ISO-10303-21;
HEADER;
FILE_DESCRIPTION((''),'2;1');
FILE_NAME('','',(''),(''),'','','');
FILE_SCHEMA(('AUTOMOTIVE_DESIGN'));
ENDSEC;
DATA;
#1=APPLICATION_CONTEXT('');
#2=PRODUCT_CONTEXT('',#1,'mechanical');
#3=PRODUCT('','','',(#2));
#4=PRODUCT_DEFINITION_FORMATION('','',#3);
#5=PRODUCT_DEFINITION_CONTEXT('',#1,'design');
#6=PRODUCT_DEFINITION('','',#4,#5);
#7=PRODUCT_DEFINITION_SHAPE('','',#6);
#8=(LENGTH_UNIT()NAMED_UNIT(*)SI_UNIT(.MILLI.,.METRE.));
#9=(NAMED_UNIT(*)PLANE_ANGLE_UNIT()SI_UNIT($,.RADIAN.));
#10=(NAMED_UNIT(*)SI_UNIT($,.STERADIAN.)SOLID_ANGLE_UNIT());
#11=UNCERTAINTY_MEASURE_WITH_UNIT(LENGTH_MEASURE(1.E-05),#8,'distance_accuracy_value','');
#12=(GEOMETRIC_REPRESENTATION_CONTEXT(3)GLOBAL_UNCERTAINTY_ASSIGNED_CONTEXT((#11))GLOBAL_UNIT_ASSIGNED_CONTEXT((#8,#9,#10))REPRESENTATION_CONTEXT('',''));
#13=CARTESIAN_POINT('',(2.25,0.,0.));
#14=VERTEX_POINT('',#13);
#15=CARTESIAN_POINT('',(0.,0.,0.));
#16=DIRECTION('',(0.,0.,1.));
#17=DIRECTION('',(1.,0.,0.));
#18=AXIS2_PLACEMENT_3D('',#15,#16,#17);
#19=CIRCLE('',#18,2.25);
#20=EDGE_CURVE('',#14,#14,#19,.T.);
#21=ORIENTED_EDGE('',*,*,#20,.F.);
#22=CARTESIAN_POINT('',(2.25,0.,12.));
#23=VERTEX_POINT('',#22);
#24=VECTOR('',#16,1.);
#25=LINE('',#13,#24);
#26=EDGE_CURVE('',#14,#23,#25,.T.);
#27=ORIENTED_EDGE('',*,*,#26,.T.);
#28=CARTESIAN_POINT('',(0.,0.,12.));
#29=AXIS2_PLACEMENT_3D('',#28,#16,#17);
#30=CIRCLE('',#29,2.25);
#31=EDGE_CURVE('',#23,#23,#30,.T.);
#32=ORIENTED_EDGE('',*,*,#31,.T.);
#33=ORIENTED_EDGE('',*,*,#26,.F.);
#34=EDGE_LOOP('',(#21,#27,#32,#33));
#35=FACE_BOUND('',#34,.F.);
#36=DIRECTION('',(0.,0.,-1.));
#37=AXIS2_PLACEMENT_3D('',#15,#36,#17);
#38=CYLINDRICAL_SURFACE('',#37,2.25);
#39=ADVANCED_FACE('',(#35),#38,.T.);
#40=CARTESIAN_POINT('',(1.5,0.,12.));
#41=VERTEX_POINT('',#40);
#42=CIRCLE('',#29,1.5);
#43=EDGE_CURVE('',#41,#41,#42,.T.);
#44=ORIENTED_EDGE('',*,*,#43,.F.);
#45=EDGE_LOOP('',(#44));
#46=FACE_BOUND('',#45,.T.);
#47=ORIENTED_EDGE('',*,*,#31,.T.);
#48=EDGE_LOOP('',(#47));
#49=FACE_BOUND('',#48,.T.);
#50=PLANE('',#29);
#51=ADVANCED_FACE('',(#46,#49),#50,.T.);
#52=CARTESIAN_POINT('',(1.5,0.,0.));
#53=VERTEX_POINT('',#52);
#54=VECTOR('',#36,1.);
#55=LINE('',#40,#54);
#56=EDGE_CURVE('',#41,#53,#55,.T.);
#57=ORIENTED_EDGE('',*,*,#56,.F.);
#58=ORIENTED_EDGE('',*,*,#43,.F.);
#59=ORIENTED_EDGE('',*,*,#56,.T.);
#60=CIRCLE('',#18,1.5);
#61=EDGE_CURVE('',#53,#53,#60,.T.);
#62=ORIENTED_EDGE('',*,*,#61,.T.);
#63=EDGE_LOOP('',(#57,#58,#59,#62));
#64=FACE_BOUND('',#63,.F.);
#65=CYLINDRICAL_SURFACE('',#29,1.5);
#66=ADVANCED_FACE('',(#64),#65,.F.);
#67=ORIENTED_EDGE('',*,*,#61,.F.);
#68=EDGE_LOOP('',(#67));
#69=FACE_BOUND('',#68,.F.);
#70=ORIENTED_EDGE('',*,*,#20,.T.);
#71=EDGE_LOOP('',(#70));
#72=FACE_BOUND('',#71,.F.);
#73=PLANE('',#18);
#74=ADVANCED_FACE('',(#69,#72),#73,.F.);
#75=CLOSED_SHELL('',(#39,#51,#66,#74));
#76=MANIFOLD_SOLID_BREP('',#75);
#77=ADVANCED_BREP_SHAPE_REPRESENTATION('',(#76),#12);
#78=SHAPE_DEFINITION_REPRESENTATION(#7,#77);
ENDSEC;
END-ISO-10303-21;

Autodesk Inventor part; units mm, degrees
ref_plane "YZ Plane" through (0, 0, 0) normal (1, 0, 0) x (0, 1, 0)
ref_plane "XZ Plane" through (0, 0, 0) normal (0, 1, 0) x (-1, 0, 0)
ref_plane "XY Plane" through (0, 0, 0) normal (0, 0, 1) x (1, 0, 0)
sketch "Esquisse1" plane through (0, 0, 0) normal (0, 0, 1) x (1, 0, 0)
  circle A0 centre (0, 0) radius 2.25
  dimension "d0" = 4.5
extrude "Extrusion1" add sketch "Esquisse1" along normal blind 12
sketch "Esquisse2" plane through (0, 0, 12) normal (0, 0, 1) x (1, 0, 0)
  circle A0 centre (0, 0) radius 2.25 projected
  circle A1 centre (0, 0) radius 1.5
  dimension "d4" = 3
extrude "Extrusion2" cut sketch "Esquisse2" against normal blind 12 contours A1
thread "Filetage1" size "M3x0.5" class "6H" standard "ANSI Metric M Profile" full length
properties part number "Insert" material "Laiton, jaune doux"
